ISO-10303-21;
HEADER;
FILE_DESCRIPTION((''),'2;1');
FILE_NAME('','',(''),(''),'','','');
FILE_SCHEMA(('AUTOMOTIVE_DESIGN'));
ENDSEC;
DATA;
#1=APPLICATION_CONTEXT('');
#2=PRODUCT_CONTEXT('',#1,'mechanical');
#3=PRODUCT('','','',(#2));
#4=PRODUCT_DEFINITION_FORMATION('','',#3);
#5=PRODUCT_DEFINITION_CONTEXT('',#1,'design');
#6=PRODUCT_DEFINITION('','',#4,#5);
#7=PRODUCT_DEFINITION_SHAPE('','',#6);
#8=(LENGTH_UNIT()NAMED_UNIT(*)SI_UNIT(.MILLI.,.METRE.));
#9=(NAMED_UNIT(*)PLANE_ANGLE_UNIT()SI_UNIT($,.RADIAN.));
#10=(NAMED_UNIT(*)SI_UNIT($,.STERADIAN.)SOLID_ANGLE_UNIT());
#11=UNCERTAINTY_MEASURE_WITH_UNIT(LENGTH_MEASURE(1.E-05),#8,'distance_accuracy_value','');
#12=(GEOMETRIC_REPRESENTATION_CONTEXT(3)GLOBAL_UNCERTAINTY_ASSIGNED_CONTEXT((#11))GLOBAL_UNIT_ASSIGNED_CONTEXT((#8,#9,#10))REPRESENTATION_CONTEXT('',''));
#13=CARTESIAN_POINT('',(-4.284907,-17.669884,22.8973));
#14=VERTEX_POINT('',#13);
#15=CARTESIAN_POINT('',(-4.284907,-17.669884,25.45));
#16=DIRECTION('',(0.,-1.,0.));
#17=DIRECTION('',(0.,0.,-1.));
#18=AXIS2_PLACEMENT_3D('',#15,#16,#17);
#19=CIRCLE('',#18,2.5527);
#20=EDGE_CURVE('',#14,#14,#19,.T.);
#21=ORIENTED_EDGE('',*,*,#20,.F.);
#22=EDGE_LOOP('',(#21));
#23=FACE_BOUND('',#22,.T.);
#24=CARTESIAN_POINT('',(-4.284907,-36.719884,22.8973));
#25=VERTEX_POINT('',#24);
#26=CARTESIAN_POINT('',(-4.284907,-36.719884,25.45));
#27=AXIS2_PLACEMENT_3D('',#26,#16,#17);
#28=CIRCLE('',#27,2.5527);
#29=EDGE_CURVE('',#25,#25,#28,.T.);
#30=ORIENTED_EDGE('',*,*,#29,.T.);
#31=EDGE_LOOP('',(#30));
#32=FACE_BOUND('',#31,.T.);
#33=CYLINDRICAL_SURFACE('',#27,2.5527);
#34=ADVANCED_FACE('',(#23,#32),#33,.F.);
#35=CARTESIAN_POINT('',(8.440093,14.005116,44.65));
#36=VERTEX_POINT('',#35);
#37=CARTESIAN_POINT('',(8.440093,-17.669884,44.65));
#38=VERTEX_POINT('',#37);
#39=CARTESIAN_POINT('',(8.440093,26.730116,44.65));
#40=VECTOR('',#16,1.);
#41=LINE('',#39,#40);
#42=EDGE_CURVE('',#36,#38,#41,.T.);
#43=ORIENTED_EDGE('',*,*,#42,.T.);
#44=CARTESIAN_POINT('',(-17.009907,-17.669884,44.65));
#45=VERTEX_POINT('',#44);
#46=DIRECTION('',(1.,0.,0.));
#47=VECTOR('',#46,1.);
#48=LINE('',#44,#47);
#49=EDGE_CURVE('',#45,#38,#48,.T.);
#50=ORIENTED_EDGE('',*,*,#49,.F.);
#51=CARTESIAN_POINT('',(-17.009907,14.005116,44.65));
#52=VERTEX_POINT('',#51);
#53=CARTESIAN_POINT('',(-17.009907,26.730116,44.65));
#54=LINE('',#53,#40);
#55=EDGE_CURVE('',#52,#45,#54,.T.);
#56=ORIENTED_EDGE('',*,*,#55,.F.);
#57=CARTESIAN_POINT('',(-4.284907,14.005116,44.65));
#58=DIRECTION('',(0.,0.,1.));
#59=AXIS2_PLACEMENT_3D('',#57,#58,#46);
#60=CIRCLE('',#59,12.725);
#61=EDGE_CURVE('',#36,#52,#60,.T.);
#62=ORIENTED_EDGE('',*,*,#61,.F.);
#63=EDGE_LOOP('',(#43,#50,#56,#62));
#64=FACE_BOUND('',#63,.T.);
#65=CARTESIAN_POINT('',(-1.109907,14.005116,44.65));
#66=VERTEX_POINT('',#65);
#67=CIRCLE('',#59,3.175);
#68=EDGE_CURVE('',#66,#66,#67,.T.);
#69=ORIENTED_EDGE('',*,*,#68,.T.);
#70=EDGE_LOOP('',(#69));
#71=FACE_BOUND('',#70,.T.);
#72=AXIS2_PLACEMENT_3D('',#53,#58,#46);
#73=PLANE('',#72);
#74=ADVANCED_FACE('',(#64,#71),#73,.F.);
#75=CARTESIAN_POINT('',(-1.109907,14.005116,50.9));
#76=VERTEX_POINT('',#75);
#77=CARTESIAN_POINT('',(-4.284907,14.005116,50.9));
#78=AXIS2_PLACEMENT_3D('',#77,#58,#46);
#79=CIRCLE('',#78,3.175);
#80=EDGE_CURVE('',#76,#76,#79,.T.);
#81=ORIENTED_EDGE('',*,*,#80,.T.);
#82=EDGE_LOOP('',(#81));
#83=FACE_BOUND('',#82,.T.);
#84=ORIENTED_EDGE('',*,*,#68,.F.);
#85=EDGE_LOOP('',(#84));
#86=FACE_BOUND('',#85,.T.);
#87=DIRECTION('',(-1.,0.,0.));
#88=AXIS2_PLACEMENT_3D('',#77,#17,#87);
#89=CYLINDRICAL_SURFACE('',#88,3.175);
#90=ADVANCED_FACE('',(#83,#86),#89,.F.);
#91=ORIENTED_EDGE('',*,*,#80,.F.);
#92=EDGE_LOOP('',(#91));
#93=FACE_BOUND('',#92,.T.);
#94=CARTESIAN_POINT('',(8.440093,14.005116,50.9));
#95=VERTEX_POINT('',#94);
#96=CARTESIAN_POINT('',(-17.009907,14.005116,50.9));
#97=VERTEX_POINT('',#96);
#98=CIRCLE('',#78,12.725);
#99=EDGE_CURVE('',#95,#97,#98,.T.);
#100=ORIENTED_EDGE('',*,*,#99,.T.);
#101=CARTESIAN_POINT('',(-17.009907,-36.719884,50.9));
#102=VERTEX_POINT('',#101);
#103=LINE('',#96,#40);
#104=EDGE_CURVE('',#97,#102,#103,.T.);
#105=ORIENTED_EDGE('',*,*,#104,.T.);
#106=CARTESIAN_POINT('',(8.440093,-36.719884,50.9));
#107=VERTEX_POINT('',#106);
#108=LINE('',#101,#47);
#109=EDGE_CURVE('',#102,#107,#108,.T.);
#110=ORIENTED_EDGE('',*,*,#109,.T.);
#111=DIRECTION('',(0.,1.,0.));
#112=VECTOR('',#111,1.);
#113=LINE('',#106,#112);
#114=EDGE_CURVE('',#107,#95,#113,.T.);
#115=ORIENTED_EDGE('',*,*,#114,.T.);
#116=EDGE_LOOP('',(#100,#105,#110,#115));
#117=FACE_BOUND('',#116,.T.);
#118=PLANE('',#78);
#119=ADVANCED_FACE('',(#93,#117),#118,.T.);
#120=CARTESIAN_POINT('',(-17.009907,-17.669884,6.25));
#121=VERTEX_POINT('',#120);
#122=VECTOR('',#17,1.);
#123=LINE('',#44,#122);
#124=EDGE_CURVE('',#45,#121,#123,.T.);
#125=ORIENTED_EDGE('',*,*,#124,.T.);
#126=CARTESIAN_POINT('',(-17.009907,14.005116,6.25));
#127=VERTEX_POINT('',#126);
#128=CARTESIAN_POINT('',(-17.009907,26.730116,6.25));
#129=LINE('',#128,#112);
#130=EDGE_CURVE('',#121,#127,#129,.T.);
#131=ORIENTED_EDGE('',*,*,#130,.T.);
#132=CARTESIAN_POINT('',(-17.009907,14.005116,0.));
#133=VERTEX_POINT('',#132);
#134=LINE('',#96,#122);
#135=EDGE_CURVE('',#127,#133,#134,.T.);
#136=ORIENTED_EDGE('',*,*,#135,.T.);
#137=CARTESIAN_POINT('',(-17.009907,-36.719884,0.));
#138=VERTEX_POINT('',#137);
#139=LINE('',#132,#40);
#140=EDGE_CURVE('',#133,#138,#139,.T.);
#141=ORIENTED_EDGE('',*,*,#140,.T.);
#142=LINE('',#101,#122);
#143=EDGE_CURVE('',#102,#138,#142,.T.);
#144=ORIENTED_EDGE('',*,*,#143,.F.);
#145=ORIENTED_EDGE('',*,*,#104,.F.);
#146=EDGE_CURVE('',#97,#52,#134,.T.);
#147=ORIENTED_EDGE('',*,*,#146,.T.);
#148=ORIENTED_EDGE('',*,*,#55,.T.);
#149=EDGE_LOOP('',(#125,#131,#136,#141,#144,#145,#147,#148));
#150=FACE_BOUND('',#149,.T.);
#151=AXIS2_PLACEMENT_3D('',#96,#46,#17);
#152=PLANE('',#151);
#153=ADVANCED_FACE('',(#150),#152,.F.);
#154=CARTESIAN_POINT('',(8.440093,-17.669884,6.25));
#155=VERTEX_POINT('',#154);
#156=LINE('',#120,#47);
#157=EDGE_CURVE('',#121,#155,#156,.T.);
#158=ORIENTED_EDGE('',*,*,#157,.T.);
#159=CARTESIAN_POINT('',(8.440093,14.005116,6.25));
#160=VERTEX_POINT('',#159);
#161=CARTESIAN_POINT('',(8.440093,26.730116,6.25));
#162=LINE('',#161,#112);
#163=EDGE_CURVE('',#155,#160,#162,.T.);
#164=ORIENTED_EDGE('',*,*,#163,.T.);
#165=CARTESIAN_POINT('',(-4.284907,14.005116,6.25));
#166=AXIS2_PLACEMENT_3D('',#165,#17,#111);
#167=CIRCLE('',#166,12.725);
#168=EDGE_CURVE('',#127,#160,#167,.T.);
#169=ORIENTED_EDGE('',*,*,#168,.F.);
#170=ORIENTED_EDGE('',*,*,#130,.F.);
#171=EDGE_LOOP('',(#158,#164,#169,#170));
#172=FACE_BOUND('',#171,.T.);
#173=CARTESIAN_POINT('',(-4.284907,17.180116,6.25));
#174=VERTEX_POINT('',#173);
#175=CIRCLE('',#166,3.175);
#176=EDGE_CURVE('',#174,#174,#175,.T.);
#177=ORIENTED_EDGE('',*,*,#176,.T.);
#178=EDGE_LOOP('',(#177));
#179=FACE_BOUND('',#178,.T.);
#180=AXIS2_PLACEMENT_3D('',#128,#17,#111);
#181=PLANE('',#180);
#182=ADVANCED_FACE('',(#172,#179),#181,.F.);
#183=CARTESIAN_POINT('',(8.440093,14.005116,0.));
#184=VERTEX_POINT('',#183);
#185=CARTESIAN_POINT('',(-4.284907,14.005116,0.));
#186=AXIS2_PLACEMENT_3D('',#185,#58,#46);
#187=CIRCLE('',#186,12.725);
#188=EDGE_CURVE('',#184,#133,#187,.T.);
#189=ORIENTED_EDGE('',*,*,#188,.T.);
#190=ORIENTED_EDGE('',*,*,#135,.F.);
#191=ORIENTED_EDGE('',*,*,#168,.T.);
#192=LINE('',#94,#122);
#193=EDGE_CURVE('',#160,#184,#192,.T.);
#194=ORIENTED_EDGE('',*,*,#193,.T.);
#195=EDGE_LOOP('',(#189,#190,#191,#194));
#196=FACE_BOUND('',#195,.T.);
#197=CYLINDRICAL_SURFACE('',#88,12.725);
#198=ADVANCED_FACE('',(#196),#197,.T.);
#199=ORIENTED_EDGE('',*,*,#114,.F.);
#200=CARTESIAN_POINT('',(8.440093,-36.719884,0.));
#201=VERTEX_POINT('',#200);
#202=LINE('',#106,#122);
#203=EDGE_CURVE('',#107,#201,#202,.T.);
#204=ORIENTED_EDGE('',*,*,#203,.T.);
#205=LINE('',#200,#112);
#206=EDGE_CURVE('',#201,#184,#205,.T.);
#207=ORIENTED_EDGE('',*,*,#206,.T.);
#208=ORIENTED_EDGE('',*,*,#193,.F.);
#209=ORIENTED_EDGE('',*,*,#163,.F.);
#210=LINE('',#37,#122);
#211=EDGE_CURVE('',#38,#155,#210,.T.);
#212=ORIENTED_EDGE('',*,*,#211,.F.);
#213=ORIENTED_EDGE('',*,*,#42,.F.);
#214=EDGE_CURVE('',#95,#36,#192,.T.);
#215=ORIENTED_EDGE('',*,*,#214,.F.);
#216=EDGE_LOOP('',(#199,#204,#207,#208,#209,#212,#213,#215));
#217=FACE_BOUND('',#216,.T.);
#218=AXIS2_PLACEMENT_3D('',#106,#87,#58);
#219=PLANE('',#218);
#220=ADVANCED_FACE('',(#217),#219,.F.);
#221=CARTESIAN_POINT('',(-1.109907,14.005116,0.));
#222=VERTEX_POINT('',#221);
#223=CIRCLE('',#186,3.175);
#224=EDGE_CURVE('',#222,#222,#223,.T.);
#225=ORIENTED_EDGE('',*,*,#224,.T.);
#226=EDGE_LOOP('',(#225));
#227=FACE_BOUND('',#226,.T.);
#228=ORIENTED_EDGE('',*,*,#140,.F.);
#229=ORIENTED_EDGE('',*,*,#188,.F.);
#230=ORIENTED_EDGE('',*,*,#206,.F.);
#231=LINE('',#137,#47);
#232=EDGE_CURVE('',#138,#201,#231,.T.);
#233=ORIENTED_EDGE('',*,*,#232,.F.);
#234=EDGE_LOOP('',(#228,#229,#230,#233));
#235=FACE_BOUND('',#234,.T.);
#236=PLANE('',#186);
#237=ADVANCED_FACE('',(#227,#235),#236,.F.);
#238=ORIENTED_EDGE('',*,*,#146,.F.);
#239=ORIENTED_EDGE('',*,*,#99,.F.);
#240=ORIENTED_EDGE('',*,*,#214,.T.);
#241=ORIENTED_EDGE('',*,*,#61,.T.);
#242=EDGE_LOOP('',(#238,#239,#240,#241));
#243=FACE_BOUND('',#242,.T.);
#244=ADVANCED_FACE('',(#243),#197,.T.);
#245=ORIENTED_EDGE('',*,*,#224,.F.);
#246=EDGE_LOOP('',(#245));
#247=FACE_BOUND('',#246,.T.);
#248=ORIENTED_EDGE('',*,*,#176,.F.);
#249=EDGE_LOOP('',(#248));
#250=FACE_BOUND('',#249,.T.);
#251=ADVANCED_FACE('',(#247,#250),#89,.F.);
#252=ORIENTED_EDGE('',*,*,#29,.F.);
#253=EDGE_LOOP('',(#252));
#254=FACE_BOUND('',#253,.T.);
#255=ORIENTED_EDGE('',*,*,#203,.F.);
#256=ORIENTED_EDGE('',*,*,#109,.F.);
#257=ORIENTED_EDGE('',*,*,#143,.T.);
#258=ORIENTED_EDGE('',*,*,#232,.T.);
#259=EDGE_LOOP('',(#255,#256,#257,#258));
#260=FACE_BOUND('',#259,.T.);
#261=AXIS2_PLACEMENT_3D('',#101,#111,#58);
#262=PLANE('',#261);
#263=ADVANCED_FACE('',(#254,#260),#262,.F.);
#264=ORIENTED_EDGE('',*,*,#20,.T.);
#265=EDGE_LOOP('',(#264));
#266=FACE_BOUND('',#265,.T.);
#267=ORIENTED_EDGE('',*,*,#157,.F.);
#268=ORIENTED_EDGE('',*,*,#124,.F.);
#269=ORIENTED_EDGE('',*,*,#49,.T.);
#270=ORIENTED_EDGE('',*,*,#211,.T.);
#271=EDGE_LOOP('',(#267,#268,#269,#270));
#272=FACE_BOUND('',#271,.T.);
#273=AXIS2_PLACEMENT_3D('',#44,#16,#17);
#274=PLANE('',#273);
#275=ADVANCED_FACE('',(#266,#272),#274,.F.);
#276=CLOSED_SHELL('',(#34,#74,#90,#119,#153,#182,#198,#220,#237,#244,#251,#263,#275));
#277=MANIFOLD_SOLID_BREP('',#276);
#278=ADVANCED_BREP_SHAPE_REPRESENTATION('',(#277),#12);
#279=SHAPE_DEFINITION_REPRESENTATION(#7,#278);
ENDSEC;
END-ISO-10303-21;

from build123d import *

# Parameters (mm, degrees)
SKETCH3_R               = 3.175
BOSS_EXTRUDE2_DEPTH     = 50.9
SKETCH7_W               = 38.4
SKETCH7_H               = 44.4
CUT_EXTRUDE1_DEPTH      = 26.45
F_1_4_20_TAPPED_HOLE1_D = 5.1054


with BuildPart() as part:
    # Sketch3 → Boss-Extrude2 (new body)
    with BuildSketch(Plane.XY):
        with BuildLine():
            Line((-17.009907165, -36.719884412), (8.440092835, -36.719884412))
            Line((8.440092835, -36.719884412), (8.440092835, 14.005115588))
            ThreePointArc((8.440092835, 14.005115588), (-4.284907165, 26.730115588), (-17.009907165, 14.005115588))
            Line((-17.009907165, 14.005115588), (-17.009907165, -36.719884412))
        make_face()
        with Locations((-4.284907165, 14.005115588)):
            Circle(SKETCH3_R, mode=Mode.SUBTRACT)
    extrude(amount=BOSS_EXTRUDE2_DEPTH)

    # Sketch7 → Cut-Extrude1 (cut, through all)
    with BuildSketch(Plane(origin=(8.440092835, 0, 0), x_dir=(0, 0, -1), z_dir=(1, 0, 0))):
        with Locations((-25.45, 4.530115588)):
            Rectangle(SKETCH7_W, SKETCH7_H)
    extrude(amount=-CUT_EXTRUDE1_DEPTH, mode=Mode.SUBTRACT)

    # 1/4-20 Tapped Hole1 (through all)
    with Locations(Plane(origin=(-4.284907165, -36.719884412, 25.45), x_dir=(0, 0, -1), z_dir=(0, -1, 0))):
        with Locations((0, 0)):
            Hole(F_1_4_20_TAPPED_HOLE1_D / 2)


solid = part.part
